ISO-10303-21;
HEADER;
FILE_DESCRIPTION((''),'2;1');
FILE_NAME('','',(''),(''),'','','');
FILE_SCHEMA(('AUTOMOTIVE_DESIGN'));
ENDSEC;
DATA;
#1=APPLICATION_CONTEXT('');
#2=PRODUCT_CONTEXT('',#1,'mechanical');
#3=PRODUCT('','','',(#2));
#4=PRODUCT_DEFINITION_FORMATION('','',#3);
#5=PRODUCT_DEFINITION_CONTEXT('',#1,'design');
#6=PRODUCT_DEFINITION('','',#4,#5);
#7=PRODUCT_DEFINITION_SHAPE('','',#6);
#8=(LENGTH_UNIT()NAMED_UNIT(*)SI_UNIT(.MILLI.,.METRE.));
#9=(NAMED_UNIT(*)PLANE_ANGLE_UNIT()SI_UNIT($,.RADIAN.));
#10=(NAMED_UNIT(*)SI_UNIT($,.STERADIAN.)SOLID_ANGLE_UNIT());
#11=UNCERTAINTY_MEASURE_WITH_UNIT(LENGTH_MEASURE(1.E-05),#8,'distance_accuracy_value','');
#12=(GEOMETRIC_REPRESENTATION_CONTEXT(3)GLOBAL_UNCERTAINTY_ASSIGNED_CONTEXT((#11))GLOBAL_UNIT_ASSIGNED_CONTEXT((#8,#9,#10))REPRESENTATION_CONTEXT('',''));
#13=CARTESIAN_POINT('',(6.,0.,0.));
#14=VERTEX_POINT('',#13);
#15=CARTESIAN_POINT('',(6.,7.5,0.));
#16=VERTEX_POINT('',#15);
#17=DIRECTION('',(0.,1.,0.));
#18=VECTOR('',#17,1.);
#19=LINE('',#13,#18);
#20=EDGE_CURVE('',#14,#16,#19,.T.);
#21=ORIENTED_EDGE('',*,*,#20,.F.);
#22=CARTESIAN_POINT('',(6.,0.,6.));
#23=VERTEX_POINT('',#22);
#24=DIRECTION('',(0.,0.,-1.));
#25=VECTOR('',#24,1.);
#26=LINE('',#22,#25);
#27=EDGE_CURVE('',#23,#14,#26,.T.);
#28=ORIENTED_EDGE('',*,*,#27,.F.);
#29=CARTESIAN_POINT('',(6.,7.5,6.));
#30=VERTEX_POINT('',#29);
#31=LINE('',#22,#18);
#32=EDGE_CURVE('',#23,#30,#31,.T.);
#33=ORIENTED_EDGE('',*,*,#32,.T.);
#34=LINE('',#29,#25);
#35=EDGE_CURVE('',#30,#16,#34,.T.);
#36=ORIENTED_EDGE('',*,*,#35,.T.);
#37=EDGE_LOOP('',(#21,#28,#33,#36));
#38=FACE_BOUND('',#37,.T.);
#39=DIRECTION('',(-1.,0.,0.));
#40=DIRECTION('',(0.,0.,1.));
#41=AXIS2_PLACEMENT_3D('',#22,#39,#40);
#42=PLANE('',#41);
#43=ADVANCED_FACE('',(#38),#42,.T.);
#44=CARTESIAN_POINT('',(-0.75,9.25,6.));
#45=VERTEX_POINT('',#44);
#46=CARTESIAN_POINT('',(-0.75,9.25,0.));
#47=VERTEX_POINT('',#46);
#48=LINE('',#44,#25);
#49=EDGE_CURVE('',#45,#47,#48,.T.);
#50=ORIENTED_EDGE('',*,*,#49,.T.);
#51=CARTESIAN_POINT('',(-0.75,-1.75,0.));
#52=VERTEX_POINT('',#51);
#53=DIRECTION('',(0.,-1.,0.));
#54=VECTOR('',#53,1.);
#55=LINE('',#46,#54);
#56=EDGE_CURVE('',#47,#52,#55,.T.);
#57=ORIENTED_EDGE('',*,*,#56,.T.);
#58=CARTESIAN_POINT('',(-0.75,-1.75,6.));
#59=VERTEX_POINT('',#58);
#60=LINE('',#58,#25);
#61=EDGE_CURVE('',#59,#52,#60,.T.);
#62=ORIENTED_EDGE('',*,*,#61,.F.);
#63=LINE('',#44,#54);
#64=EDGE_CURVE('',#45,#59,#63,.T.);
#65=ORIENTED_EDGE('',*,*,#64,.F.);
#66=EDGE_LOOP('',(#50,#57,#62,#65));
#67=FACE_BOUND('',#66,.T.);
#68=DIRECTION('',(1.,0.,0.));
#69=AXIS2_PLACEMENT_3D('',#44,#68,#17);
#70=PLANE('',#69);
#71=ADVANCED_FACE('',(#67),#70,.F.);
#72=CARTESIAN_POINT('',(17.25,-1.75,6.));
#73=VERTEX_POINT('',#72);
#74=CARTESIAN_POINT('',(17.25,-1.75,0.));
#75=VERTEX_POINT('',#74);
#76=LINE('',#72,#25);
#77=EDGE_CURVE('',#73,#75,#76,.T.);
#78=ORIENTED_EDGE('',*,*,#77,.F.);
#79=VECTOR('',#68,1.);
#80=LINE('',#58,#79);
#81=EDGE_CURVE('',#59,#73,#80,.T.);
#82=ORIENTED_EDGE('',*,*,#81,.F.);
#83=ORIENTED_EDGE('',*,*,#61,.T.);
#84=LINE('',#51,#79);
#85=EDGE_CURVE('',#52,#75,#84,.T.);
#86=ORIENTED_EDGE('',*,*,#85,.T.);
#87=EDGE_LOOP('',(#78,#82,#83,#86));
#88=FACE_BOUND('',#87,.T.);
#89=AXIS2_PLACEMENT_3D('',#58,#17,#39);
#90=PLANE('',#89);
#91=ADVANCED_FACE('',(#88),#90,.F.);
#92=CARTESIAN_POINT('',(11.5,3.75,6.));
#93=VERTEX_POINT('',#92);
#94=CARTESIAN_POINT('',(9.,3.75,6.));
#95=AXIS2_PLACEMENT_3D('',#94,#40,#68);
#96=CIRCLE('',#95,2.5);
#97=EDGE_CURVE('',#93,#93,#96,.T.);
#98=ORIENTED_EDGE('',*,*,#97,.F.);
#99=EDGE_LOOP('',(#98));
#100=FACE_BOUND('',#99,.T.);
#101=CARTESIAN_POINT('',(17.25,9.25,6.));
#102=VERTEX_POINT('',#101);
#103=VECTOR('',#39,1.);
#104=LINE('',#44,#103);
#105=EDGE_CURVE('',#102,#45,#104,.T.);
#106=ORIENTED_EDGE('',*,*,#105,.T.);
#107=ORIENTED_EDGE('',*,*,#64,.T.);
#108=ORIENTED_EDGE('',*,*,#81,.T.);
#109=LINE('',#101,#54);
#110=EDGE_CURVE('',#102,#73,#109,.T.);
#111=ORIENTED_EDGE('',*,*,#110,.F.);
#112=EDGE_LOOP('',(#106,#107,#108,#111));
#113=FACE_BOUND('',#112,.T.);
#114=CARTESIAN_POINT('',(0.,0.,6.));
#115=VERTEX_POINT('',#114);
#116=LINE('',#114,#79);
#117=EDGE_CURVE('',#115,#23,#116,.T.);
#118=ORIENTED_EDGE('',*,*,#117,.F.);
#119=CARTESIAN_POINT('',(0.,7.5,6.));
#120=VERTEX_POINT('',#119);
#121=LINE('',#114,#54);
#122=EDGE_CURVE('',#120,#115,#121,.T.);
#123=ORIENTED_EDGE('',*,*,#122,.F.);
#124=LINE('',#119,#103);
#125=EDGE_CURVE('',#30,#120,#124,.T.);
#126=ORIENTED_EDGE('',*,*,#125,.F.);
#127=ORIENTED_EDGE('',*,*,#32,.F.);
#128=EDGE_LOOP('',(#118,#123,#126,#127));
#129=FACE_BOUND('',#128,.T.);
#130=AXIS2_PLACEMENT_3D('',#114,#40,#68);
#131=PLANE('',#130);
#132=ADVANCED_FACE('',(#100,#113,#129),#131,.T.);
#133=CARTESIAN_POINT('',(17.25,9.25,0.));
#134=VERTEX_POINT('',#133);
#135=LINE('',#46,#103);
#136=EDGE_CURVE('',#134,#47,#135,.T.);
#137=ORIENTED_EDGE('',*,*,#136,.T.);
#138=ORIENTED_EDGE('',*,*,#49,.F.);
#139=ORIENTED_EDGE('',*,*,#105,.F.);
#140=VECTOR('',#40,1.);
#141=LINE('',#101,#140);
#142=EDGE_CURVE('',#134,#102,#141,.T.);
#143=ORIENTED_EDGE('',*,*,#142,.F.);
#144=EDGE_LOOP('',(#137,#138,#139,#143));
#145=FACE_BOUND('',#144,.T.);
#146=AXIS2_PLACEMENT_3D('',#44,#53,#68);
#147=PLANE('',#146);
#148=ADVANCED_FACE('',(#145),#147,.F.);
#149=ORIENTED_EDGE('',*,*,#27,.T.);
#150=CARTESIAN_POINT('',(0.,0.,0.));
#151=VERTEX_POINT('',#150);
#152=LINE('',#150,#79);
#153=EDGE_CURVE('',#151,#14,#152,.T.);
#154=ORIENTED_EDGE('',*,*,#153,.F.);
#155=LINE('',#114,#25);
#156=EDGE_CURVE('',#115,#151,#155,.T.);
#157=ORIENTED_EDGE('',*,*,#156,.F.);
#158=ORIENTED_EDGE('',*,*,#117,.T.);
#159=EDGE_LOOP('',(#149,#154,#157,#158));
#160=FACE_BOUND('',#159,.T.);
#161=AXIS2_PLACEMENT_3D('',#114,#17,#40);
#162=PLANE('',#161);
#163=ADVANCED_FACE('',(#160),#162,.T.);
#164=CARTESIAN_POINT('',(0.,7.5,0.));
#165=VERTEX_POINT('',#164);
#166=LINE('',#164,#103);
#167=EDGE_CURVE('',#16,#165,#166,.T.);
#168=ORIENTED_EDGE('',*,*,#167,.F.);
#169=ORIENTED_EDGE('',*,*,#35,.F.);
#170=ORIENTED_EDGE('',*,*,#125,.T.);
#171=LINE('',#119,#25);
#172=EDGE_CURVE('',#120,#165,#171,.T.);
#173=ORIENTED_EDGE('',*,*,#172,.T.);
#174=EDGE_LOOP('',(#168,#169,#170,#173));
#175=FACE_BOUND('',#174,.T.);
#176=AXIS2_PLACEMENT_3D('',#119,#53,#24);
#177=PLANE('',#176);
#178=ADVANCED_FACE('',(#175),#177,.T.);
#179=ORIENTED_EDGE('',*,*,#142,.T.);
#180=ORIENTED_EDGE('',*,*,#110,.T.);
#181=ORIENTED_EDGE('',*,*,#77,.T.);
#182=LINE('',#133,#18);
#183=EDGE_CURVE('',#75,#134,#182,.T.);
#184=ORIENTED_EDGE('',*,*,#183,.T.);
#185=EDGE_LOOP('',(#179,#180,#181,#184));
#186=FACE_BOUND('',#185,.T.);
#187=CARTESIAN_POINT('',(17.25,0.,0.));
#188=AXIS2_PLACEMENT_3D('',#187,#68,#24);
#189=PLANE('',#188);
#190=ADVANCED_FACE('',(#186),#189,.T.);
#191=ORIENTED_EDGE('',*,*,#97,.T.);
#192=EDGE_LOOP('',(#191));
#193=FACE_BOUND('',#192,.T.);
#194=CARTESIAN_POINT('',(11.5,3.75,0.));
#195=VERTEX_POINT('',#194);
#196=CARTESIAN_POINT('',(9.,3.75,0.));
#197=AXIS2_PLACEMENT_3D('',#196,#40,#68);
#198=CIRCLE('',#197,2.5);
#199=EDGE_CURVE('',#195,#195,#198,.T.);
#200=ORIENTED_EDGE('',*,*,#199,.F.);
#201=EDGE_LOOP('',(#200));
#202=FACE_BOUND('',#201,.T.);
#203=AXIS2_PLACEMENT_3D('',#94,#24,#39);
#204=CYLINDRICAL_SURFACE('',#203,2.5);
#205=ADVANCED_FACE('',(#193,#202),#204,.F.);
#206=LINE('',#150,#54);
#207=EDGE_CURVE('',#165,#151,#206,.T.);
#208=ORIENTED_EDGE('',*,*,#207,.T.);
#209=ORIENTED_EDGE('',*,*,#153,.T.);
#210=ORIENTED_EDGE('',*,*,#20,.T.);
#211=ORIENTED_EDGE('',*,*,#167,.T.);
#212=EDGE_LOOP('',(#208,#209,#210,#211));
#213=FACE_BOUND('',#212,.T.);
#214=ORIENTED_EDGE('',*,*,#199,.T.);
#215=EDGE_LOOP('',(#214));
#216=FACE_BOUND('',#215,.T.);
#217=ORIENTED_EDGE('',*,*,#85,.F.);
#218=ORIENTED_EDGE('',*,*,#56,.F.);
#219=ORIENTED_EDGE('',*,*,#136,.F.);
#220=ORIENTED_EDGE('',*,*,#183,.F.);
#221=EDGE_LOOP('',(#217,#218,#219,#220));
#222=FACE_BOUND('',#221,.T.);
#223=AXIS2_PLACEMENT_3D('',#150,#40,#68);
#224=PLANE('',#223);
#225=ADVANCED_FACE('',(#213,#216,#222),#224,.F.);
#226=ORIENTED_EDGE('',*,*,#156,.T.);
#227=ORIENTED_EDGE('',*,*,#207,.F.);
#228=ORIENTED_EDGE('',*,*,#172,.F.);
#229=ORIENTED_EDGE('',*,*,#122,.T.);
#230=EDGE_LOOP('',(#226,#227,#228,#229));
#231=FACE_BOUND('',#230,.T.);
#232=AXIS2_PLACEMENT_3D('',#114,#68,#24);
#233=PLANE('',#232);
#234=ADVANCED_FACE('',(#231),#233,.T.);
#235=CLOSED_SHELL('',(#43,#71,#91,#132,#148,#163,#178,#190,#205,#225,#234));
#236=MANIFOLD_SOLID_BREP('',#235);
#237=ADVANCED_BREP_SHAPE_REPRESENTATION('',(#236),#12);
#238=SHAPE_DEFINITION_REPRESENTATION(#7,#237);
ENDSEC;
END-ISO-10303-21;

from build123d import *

# Parameters (mm, degrees)
SKETCH_1_W      = 13
SKETCH_1_H      = 11
SKETCH_1_R      = 2.5
SKETCH_1_W_2    = 6
SKETCH_1_H_2    = 7.5
EXTRUDE_1_DEPTH = 6
SKETCH_2_W      = 6
SKETCH_2_H      = 11
EXTRUDE_2_DEPTH = 5


with BuildPart() as part:
    # 草图1 → 凸台-拉伸1 (new body)
    with BuildSketch(Plane.XY):
        with Locations((5.75, 3.75)):
            Rectangle(SKETCH_1_W, SKETCH_1_H)
        with Locations((9, 3.75)):
            Circle(SKETCH_1_R, mode=Mode.SUBTRACT)
        with Locations((3, 3.75)):
            Rectangle(SKETCH_1_W_2, SKETCH_1_H_2, mode=Mode.SUBTRACT)
    extrude(amount=EXTRUDE_1_DEPTH)

    # 草图2 → 凸台-拉伸2 (add)
    with BuildSketch(Plane(origin=(12.25, 0, 0), x_dir=(0, 0, -1), z_dir=(1, 0, 0))):
        with Locations((-3, 3.75)):
            Rectangle(SKETCH_2_W, SKETCH_2_H)
    extrude(amount=EXTRUDE_2_DEPTH)


solid = part.part
